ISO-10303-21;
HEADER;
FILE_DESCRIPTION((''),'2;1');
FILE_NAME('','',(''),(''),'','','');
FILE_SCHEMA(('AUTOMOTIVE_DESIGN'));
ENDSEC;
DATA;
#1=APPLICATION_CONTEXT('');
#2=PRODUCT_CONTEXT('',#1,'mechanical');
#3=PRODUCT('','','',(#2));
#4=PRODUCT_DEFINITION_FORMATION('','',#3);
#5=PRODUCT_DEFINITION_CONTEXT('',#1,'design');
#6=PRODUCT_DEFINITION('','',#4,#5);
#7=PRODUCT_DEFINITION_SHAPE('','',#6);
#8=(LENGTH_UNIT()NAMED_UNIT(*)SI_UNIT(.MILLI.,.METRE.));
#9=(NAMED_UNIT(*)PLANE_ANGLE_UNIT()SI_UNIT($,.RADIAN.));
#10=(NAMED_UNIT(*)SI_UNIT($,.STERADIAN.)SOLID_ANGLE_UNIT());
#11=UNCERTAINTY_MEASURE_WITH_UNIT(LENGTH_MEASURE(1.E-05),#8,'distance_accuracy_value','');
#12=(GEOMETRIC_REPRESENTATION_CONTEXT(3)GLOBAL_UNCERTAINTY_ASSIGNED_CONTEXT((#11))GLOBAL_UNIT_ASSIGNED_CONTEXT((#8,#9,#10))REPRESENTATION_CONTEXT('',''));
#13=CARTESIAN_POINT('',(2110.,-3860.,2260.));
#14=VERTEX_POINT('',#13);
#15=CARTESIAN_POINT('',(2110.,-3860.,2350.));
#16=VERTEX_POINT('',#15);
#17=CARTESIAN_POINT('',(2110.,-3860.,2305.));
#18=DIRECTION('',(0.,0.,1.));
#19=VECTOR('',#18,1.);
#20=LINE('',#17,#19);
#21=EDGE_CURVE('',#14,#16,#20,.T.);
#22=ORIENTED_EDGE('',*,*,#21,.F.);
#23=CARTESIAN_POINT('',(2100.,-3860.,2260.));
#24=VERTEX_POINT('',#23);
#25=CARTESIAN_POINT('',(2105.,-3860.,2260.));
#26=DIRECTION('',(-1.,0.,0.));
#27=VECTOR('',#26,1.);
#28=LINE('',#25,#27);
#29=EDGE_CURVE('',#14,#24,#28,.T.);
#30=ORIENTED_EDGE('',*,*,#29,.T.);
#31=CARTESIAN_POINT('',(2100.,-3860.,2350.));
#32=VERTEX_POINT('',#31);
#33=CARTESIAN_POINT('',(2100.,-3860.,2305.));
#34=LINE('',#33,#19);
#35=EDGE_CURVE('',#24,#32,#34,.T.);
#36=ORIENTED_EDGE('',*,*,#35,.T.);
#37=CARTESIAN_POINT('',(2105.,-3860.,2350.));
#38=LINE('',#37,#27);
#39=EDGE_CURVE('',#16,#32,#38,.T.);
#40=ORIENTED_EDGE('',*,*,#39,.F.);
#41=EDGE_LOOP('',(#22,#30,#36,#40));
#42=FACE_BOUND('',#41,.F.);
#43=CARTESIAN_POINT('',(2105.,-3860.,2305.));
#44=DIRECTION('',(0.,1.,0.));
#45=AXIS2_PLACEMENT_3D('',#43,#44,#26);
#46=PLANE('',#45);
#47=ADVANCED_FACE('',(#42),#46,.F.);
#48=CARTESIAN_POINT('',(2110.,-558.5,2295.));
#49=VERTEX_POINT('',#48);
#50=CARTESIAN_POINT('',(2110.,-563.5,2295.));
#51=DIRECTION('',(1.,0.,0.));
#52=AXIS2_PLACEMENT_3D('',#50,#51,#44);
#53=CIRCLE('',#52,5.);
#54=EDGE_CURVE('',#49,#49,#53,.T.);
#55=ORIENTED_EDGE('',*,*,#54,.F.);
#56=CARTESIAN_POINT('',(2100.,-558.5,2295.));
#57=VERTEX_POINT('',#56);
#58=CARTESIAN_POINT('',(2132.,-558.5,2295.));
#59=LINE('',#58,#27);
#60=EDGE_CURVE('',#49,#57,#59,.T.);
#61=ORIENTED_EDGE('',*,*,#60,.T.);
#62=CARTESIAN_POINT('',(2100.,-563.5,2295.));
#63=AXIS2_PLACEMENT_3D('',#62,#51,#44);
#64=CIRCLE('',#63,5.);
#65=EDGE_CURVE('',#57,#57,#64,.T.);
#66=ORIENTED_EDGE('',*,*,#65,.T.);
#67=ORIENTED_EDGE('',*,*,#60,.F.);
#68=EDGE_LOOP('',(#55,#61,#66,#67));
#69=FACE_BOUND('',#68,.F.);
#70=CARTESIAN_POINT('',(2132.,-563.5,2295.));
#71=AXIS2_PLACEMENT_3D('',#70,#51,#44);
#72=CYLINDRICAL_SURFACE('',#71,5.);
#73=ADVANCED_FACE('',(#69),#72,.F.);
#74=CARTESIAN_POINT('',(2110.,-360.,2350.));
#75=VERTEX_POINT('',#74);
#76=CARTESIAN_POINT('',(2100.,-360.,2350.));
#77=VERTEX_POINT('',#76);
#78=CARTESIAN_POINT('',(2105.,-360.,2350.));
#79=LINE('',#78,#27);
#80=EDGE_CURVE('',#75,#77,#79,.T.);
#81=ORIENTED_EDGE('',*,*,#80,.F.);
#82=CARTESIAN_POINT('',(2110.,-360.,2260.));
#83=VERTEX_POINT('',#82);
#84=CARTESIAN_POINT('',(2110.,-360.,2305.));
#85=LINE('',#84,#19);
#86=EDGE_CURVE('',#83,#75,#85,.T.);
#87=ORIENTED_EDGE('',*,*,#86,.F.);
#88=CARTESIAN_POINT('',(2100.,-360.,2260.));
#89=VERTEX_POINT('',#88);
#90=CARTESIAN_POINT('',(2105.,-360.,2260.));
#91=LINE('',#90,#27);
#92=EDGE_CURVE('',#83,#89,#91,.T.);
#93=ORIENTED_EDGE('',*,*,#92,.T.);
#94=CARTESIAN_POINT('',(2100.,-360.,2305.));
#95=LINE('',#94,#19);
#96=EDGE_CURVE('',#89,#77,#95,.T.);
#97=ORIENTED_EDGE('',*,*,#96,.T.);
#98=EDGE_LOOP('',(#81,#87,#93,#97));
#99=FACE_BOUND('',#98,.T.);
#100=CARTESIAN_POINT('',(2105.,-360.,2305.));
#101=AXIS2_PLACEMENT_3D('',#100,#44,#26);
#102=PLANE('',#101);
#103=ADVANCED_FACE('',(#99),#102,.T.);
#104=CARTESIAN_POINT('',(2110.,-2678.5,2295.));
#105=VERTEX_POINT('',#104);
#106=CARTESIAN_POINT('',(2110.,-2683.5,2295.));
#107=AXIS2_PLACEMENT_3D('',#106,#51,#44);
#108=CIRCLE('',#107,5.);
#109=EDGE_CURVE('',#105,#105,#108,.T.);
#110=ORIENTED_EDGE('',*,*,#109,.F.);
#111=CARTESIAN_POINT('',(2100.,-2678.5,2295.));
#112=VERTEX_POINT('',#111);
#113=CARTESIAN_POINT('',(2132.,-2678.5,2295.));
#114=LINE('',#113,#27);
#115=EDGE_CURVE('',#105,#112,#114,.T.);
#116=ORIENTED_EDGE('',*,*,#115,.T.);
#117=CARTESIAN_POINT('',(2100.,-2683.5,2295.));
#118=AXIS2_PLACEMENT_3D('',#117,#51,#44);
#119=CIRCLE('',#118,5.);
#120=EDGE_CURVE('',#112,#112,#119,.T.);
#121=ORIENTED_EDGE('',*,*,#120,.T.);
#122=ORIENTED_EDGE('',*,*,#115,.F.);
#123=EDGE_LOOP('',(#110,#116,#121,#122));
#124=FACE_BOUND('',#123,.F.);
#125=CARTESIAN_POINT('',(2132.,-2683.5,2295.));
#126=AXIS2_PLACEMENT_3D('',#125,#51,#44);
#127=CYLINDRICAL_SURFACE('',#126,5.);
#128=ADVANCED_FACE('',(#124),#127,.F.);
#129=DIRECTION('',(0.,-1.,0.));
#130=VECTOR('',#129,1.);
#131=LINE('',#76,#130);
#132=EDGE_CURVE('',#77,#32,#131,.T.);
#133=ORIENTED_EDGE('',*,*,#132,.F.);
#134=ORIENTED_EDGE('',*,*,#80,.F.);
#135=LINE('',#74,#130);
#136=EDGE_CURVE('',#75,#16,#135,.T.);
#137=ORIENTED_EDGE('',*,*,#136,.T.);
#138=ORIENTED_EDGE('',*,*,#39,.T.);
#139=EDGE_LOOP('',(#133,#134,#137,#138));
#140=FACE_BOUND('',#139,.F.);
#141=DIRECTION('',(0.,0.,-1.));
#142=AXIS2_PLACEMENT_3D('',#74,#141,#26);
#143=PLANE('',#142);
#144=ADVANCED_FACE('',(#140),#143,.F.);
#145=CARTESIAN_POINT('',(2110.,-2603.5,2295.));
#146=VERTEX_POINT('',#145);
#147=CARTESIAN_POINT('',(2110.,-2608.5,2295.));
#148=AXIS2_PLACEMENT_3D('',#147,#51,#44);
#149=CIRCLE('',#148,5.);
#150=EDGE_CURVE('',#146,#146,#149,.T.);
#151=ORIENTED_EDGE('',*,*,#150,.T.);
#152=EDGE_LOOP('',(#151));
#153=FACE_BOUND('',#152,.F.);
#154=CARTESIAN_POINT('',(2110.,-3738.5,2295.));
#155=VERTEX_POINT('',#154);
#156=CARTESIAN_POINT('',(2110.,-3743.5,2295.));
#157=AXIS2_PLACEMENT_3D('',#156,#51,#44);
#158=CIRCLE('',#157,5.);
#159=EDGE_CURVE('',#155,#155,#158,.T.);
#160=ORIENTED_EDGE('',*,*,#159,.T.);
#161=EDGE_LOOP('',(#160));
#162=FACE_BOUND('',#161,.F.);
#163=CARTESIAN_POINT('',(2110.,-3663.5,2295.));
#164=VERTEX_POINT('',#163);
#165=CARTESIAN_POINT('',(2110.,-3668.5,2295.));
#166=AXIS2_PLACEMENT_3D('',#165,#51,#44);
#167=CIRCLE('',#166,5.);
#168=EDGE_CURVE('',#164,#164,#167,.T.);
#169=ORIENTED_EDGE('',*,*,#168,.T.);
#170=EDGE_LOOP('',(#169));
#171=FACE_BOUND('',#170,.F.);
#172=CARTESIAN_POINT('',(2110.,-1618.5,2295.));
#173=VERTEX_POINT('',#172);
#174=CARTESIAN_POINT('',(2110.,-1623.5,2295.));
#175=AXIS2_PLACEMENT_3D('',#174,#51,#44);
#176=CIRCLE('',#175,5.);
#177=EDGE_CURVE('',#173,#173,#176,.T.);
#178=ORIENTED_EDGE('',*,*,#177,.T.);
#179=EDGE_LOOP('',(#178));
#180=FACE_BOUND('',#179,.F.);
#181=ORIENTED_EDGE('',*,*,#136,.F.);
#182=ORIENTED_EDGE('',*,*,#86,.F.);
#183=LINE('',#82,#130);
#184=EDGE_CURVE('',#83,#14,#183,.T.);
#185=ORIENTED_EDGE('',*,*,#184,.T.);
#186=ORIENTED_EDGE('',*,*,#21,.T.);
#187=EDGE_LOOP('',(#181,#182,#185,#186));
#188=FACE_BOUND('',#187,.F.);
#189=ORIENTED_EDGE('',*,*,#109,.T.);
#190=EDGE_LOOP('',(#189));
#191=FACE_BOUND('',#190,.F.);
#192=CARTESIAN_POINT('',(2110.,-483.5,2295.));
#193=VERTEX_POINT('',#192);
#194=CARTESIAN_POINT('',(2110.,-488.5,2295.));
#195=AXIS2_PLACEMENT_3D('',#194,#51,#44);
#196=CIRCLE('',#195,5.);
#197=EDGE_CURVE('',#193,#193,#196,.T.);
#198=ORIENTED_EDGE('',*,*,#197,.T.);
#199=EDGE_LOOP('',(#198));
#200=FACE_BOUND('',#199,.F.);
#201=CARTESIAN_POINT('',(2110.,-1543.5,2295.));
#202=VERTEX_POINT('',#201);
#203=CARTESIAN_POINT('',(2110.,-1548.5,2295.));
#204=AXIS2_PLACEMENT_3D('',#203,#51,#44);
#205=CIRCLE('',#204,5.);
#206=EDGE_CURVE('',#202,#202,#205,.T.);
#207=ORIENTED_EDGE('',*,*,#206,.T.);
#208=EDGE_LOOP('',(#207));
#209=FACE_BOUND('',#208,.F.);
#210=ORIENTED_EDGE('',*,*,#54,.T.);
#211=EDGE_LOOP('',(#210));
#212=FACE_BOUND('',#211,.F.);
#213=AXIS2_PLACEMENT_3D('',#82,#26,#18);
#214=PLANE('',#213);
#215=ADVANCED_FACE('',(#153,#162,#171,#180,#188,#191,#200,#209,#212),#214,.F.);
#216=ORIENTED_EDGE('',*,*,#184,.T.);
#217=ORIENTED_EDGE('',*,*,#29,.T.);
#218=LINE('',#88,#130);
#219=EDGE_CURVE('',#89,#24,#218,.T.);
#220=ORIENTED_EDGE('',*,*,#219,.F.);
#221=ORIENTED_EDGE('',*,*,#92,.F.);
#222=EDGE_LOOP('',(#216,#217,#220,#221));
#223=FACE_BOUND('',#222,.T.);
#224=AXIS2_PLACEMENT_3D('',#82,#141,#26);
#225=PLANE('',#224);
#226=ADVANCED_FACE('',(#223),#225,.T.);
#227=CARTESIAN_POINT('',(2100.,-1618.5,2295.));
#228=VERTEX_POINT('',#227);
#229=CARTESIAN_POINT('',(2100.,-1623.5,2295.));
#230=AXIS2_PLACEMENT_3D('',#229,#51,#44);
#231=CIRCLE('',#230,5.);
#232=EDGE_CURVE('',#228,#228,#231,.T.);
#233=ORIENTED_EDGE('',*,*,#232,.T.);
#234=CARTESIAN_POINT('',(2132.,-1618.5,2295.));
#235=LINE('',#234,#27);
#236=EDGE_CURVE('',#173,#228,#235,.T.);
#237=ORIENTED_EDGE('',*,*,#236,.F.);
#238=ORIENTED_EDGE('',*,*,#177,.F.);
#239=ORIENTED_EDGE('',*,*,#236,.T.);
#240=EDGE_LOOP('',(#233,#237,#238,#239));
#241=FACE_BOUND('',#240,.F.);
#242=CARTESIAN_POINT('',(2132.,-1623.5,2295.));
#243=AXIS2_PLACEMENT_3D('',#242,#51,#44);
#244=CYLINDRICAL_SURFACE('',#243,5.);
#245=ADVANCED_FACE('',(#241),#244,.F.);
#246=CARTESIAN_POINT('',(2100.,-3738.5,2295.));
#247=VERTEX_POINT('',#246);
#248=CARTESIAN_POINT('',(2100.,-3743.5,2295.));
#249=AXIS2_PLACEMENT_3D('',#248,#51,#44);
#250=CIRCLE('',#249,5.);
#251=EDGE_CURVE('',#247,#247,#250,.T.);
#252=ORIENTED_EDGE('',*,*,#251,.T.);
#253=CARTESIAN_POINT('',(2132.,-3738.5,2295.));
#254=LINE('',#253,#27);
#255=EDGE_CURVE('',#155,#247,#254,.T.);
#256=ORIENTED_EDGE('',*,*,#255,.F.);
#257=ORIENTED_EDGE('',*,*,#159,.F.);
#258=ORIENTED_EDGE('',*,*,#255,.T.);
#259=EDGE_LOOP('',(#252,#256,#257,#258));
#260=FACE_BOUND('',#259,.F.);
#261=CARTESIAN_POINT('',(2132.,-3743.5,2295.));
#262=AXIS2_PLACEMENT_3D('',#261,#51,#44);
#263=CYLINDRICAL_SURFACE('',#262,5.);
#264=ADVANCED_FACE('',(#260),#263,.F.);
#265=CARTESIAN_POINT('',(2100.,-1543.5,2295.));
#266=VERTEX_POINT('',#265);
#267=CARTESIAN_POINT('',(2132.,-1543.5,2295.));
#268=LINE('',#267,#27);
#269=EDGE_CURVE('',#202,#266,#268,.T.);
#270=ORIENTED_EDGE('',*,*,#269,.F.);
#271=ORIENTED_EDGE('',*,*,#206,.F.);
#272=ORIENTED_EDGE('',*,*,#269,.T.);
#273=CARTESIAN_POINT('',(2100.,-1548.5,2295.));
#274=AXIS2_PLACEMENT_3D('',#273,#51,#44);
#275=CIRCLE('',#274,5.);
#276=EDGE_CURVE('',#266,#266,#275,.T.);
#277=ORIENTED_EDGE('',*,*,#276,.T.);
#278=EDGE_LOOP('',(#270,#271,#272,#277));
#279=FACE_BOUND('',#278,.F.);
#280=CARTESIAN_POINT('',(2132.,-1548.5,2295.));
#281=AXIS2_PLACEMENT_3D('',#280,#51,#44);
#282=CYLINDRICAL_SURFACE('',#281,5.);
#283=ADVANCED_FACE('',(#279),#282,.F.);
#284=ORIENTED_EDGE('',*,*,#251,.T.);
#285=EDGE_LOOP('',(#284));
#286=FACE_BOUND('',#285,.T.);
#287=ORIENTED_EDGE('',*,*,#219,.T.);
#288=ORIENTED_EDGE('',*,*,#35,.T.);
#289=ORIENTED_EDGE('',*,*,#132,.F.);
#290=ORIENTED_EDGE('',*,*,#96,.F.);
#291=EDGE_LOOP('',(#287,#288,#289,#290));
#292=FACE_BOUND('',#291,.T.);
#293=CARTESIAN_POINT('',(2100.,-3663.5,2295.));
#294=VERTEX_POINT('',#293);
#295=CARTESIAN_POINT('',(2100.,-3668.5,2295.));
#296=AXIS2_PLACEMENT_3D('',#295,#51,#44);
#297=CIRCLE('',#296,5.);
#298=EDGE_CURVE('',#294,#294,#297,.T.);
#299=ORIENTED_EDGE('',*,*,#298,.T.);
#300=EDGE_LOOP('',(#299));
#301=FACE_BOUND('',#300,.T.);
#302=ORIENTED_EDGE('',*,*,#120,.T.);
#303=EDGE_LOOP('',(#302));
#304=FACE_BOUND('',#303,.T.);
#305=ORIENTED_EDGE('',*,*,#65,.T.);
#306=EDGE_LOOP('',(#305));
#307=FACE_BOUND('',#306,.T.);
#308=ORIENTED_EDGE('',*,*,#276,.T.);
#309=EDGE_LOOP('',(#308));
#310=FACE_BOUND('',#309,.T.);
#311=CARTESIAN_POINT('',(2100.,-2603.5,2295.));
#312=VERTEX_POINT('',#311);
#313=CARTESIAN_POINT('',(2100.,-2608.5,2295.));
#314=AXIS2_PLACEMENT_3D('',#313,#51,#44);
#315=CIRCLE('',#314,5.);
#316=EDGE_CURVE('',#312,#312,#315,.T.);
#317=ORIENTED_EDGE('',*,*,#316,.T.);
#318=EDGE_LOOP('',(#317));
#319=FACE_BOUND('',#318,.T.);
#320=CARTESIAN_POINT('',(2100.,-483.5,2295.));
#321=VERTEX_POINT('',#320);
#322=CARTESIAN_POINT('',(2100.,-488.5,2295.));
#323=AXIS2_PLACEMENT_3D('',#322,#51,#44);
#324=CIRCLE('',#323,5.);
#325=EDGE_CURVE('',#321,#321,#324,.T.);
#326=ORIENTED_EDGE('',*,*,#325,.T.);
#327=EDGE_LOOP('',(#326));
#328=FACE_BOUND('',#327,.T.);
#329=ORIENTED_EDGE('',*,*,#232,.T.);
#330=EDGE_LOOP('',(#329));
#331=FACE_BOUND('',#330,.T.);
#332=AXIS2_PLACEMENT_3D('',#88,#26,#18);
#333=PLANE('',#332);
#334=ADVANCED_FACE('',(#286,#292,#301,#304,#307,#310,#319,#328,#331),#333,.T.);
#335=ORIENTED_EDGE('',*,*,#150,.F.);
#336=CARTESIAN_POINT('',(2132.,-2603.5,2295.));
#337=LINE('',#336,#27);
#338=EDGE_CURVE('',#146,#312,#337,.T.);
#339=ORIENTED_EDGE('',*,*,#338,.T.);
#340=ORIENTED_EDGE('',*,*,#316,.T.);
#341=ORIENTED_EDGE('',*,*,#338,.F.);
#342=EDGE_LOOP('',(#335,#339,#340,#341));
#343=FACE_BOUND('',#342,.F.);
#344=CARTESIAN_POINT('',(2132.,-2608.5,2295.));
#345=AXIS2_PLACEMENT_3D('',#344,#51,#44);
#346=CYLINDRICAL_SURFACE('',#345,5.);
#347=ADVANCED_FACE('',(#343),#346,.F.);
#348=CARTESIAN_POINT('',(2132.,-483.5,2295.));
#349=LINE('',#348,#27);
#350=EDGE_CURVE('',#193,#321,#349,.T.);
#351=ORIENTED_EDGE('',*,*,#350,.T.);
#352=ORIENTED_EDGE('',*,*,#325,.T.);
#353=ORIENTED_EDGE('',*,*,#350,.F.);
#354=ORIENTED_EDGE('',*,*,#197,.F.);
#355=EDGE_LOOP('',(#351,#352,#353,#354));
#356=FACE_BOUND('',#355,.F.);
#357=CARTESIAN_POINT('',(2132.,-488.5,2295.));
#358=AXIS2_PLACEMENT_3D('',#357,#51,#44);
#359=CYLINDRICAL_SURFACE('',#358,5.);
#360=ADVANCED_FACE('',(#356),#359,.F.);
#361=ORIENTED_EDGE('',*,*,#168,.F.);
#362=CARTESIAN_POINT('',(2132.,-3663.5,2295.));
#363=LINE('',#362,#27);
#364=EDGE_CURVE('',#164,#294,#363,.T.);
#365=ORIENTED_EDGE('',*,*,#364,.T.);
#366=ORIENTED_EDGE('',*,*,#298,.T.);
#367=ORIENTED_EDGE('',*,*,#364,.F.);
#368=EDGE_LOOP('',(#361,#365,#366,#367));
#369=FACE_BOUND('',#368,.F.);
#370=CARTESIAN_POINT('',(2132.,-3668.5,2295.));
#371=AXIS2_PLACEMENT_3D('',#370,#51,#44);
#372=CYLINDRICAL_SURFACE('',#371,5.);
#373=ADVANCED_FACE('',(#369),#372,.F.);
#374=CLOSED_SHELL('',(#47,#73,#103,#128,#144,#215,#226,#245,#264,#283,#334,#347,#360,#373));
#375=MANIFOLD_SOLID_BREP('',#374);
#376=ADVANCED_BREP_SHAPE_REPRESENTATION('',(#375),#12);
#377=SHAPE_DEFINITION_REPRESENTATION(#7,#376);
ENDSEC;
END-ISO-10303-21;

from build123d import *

# Parameters (mm, degrees)
CIRCLE012_R                                  = 5
EXTRUDE019_DEPTH                             = 100
ARRAY012_X_COUNT                             = 2
ARRAY012_X_PITCH                             = 75
ARRAY012_Y_COUNT                             = 4
ARRAY012_Y_PITCH                             = 1060
RECTANGLE002_AS_DRAWN_W                      = 10
RECTANGLE002_AS_DRAWN_H                      = 90
EXTRUDE003_DEPTH                             = 3500
EXTRUDE003_ONTO_RECTANGLE002_ROLL_ANGLE      = 90
EXTRUDE003_ONTO_RECTANGLE002_PLACEMENT_ANGLE = 180


with BuildPart() as array012:
    # Circle012 → Extrude019 (new body)
    with BuildSketch(Plane(origin=(2132, -488.5, 2295), x_dir=(0, 1, 0), z_dir=(1, 0, 0))):
        Circle(CIRCLE012_R)
    extrude(amount=-EXTRUDE019_DEPTH)

    # Array012 X: Array012 ×2


with BuildPart() as array012_1:
    add(array012.part)
    with Locations(*[(0, -i * ARRAY012_X_PITCH, 0) for i in range(1, ARRAY012_X_COUNT)]):
        add(array012.part)

    # Array012 Y: Array012 ×4


with BuildPart() as array012_2:
    add(array012_1.part)
    with Locations(*[(0, -i * ARRAY012_Y_PITCH, 0) for i in range(1, ARRAY012_Y_COUNT)]):
        add(array012_1.part)


with BuildPart() as cut:
    # Rectangle002 as drawn → Extrude003 (new)
    with BuildSketch(Plane.XY):
        with Locations((5, 45)):
            Rectangle(RECTANGLE002_AS_DRAWN_W, RECTANGLE002_AS_DRAWN_H)
    extrude(amount=-EXTRUDE003_DEPTH)


with BuildPart() as cut_1:
    # Extrude003 onto Rectangle002 roll: moved
    add(cut.part.rotate(Axis((0, 0, 0), (1, 0, 0)), EXTRUDE003_ONTO_RECTANGLE002_ROLL_ANGLE))


with BuildPart() as cut_2:
    # Extrude003 onto Rectangle002 placement: moved
    add(cut_1.part.moved(Location((2110, -360, 2260))).rotate(Axis((2110, -360, 2260), (0, 0, 1)), EXTRUDE003_ONTO_RECTANGLE002_PLACEMENT_ANGLE))

    # Cut: cut Array012
    add(array012_2.part, mode=Mode.SUBTRACT)


solid = cut_2.part
